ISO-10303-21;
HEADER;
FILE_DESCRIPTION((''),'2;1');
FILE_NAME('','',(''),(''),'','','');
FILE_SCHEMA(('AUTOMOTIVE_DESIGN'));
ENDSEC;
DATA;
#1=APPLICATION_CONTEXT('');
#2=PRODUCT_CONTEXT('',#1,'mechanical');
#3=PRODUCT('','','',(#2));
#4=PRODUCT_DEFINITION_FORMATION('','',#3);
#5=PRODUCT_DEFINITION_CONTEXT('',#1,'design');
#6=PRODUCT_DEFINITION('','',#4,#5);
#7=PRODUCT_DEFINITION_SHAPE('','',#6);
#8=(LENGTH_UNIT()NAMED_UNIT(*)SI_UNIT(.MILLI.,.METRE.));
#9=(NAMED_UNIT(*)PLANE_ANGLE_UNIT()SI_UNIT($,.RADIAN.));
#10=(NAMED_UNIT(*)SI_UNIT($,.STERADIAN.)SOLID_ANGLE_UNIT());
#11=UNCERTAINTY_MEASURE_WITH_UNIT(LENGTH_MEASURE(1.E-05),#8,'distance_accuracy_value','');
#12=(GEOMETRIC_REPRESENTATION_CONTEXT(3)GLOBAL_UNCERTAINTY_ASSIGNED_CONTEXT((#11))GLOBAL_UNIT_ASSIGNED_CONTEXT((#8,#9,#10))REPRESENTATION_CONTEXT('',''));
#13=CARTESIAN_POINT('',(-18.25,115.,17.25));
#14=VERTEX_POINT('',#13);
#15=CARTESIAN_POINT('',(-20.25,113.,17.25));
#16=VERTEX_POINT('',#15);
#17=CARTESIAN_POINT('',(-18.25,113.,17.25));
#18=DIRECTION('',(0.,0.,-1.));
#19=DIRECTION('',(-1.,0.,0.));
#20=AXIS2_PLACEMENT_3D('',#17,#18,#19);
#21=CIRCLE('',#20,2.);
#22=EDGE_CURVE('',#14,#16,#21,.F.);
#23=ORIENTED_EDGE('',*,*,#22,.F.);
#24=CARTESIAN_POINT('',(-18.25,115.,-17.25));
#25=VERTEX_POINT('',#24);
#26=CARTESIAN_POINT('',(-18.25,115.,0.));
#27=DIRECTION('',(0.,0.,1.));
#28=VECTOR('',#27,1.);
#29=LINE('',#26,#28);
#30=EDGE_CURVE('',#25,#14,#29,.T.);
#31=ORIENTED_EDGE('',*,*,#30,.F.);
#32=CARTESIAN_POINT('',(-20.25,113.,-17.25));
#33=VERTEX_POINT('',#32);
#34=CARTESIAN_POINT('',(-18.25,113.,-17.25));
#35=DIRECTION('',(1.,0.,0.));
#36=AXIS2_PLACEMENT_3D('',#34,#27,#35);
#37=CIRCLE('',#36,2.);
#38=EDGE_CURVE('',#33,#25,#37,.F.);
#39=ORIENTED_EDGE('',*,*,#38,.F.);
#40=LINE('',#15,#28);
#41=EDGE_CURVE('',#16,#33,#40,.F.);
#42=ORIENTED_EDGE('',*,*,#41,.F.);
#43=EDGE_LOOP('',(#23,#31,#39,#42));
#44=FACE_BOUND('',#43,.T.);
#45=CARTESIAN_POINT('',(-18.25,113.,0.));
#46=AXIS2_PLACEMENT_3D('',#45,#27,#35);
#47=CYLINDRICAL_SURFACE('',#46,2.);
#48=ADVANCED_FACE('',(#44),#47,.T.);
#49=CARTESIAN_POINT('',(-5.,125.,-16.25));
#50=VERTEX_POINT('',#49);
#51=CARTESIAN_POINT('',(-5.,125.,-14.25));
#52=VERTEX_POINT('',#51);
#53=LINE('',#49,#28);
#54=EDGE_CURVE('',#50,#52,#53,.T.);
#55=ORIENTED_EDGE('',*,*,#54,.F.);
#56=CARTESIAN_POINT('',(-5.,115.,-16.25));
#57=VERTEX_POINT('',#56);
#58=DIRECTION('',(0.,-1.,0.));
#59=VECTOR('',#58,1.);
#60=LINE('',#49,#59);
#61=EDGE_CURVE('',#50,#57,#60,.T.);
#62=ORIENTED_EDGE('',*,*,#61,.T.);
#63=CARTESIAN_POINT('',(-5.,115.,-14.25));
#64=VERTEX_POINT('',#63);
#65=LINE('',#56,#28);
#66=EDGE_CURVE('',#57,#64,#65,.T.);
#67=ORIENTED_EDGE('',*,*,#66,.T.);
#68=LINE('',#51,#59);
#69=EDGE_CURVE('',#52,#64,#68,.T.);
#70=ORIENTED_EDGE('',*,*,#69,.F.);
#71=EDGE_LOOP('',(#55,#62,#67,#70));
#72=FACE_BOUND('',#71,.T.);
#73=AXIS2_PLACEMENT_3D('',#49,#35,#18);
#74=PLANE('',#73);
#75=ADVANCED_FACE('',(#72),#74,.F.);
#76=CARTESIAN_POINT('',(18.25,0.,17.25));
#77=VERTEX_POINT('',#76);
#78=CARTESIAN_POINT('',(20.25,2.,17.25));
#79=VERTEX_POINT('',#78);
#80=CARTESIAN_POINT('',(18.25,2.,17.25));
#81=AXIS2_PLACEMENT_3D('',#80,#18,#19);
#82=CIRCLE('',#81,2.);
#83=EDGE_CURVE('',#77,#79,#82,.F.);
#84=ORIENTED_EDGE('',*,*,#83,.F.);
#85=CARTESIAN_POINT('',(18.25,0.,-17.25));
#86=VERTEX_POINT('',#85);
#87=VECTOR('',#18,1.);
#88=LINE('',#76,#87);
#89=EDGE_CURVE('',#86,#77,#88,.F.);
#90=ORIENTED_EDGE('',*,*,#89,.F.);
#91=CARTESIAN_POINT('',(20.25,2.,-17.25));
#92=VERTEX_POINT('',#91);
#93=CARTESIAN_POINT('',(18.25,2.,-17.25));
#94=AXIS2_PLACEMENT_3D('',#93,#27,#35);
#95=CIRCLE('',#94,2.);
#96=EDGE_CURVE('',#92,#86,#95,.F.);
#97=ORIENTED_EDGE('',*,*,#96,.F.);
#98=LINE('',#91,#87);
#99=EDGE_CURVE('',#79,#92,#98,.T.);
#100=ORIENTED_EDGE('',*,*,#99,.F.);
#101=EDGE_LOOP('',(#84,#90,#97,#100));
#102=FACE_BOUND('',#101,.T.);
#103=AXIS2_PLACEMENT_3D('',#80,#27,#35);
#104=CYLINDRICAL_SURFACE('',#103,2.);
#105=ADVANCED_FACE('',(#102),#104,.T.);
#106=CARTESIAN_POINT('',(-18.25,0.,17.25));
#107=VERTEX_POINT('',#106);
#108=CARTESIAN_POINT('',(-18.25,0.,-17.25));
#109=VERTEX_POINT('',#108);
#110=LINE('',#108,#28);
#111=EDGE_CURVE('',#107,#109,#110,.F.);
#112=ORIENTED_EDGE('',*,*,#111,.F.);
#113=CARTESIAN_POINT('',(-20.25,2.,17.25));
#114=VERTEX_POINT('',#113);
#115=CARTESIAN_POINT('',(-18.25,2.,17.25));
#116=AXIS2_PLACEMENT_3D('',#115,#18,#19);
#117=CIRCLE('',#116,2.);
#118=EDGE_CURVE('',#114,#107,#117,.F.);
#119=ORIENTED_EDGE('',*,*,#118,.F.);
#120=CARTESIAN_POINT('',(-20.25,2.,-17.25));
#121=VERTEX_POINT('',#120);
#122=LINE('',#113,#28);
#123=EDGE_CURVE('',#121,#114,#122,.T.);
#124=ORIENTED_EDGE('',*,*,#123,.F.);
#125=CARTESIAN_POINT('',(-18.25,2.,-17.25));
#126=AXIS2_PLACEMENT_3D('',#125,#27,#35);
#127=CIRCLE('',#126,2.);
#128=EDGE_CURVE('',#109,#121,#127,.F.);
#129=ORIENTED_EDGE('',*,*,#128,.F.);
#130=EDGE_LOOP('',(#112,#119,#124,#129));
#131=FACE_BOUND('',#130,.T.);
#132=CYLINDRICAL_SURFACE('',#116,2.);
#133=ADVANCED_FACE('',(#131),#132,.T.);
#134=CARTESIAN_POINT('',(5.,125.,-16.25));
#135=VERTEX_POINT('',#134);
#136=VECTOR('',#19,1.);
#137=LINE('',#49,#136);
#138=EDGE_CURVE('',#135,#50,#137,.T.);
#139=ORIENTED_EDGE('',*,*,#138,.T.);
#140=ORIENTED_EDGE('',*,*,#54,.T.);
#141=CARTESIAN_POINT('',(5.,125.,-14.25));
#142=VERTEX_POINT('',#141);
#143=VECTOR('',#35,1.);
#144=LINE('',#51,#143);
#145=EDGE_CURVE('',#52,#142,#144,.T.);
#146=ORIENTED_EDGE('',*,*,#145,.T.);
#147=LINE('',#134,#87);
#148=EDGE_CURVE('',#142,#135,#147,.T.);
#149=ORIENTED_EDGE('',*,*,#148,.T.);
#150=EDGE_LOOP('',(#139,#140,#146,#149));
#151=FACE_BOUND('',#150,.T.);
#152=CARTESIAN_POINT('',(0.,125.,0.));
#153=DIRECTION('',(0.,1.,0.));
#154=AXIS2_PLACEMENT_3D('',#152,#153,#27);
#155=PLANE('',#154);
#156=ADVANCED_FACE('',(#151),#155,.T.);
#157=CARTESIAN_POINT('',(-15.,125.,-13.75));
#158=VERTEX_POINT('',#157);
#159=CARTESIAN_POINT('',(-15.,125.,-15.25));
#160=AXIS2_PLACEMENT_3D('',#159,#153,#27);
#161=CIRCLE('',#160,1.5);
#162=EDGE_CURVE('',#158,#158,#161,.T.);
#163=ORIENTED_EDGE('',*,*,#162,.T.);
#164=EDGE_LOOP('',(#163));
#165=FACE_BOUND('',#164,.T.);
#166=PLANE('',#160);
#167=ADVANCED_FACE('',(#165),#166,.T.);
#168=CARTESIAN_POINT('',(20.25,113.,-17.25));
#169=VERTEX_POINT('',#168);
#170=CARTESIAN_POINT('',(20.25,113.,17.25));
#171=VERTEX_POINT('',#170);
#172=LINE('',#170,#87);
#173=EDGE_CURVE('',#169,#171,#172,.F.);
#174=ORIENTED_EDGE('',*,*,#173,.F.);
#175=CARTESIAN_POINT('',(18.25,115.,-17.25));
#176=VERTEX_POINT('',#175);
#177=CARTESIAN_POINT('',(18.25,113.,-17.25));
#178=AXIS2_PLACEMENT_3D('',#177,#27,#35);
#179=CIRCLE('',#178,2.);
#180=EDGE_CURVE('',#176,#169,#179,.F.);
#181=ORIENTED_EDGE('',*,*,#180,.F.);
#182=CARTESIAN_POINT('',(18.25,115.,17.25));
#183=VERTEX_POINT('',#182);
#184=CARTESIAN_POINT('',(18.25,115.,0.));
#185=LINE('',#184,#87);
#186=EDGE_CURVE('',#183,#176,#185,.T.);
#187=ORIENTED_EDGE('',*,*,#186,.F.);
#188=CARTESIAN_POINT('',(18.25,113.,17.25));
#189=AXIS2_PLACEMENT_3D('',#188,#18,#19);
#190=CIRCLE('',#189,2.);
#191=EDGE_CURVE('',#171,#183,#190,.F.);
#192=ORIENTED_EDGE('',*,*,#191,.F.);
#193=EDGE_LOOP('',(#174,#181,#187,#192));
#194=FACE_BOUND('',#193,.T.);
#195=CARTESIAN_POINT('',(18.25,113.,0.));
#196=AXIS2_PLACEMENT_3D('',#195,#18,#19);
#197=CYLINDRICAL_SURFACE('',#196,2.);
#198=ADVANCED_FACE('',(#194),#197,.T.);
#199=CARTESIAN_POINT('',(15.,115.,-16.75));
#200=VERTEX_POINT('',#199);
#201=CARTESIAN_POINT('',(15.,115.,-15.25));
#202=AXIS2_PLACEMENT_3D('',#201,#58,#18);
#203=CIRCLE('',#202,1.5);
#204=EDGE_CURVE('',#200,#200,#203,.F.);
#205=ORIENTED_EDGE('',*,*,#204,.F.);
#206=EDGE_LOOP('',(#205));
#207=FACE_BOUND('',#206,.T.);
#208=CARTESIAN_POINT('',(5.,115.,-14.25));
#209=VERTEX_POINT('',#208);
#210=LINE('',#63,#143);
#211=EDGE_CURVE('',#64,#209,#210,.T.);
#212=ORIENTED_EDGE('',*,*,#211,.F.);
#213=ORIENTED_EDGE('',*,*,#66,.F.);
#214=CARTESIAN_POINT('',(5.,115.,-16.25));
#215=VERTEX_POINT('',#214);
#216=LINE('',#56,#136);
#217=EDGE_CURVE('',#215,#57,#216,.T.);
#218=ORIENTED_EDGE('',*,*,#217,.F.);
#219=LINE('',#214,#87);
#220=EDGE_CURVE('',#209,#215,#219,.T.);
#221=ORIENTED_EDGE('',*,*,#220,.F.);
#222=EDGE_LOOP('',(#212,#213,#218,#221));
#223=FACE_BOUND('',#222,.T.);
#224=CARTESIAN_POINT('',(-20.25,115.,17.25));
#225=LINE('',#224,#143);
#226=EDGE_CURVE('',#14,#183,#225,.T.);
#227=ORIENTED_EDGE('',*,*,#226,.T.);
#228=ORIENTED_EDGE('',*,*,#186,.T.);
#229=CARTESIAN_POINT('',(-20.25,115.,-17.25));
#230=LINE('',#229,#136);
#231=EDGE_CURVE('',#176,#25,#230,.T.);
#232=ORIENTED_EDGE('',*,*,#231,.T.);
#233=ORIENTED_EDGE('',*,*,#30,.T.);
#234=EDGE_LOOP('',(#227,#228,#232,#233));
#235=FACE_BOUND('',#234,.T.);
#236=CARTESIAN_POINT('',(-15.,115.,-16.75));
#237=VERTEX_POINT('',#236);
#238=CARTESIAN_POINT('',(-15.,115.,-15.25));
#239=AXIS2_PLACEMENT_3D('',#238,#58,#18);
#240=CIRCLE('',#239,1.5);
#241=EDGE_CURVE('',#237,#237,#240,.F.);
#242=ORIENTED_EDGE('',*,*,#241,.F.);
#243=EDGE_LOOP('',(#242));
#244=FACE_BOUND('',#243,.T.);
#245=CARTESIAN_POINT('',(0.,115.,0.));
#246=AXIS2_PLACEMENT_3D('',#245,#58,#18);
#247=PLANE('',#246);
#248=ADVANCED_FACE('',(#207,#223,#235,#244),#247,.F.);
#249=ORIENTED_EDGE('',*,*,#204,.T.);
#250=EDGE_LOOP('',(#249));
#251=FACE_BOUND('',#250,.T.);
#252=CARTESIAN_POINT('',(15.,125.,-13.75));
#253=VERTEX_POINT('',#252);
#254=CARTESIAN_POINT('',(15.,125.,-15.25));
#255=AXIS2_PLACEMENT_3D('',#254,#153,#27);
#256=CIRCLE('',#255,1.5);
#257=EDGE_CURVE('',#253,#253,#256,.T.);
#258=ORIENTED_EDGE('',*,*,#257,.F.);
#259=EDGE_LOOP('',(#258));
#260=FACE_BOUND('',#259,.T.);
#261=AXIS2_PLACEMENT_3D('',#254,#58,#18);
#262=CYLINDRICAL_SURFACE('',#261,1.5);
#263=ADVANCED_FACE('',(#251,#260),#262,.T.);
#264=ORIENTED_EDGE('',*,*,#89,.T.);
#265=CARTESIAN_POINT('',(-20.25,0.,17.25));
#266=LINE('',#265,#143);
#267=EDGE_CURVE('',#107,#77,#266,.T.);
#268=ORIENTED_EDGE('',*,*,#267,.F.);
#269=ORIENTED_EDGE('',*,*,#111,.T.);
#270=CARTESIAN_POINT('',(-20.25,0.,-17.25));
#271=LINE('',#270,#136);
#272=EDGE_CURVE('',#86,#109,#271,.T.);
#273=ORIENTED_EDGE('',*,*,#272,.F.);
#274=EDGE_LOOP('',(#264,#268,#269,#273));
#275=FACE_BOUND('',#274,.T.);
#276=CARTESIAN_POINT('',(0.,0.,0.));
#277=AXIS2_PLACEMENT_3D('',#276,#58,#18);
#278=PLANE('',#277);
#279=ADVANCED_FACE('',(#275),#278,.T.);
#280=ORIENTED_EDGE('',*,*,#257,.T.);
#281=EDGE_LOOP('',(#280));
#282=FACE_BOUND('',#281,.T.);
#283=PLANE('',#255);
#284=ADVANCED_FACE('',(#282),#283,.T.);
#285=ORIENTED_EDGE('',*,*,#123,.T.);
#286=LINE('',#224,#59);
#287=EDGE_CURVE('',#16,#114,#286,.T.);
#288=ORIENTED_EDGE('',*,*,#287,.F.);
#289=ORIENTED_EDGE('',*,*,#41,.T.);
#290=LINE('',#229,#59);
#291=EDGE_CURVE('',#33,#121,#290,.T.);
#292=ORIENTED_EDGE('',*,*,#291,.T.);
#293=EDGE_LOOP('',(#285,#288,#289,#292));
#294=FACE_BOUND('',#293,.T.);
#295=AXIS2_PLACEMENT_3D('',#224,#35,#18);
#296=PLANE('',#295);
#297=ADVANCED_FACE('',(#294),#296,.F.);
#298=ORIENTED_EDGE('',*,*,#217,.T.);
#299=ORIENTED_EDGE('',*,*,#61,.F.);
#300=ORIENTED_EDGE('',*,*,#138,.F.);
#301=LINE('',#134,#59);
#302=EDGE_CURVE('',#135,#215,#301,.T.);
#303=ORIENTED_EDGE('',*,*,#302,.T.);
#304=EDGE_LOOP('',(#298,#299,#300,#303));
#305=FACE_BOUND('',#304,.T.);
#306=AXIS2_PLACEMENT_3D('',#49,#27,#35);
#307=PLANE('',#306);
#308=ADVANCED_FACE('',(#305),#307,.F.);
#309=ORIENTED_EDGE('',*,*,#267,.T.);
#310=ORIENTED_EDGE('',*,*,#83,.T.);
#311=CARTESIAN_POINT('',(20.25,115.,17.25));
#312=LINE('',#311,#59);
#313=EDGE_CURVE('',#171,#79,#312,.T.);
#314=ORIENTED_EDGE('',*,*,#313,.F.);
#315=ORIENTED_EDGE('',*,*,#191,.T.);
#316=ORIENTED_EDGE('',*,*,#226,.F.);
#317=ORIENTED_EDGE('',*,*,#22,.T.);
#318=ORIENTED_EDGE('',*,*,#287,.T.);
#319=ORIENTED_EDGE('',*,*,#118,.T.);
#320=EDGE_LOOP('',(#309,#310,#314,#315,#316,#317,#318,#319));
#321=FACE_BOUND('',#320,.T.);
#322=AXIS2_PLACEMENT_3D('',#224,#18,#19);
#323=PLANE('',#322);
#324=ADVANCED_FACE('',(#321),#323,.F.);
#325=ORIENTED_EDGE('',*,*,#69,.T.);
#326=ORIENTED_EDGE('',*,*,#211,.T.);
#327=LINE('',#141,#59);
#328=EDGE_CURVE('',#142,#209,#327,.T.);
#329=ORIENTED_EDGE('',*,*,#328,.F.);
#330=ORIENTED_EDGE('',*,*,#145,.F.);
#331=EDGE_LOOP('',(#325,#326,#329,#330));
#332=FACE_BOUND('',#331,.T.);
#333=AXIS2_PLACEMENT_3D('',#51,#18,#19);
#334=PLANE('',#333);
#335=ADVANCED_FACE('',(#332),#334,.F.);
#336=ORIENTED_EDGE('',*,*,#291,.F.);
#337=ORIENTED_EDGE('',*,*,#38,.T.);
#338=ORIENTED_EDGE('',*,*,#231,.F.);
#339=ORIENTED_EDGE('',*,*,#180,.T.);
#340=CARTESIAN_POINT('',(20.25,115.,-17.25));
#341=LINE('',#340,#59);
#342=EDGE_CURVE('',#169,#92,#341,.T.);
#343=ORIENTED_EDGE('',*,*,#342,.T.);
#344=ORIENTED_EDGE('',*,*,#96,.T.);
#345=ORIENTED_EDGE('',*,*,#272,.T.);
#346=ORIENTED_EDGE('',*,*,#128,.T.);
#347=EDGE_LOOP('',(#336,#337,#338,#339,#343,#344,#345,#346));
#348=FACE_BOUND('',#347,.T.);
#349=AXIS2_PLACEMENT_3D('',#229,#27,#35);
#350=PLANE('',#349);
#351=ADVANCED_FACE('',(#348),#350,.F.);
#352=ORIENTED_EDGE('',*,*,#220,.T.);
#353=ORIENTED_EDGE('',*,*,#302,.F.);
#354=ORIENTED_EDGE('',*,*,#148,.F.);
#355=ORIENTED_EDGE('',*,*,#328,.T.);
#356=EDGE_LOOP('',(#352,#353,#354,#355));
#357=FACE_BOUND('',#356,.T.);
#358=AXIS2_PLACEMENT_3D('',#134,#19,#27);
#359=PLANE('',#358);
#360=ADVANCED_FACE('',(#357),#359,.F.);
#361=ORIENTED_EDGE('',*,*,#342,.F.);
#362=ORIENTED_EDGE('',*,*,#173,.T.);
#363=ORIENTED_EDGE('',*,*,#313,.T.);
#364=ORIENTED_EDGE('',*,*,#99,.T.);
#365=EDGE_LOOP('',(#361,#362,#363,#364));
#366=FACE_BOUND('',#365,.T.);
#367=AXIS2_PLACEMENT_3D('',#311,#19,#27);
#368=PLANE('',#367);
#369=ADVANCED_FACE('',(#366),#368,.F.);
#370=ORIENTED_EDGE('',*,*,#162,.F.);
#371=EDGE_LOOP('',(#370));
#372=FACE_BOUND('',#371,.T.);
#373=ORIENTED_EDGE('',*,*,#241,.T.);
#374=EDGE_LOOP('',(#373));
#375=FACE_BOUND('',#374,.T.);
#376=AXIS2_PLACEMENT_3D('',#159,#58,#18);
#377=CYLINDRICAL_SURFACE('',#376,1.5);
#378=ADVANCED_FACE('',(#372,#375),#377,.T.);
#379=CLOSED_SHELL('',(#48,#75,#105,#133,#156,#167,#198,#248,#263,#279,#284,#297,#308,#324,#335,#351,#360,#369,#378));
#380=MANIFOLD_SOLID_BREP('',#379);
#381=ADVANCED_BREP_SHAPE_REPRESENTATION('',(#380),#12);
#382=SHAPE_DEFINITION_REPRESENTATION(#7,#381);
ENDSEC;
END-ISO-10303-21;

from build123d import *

# Parameters (mm, degrees)
SKETCH1_W           = 40.5
SKETCH1_H           = 34.5
BOSS_EXTRUDE1_DEPTH = 115
SKETCH2_R           = 1.5
SKETCH2_W           = 10
SKETCH2_H           = 2
BOSS_EXTRUDE2_DEPTH = 10
FILLET1_R           = 2


with BuildPart() as part:
    # Sketch1 → Boss-Extrude1 (new body)
    with BuildSketch(Plane(origin=(0, 0, 0), x_dir=(1, 0, 0), z_dir=(0, 1, 0))):
        Rectangle(SKETCH1_W, SKETCH1_H)
    extrude(amount=BOSS_EXTRUDE1_DEPTH)

    # Sketch2 → Boss-Extrude2 (add)
    with BuildSketch(Plane(origin=(0, 115, 0), x_dir=(1, 0, 0), z_dir=(0, 1, 0))):
        with Locations(Location((-15, 15.25, 0), (0, 0, 90))):
            Circle(SKETCH2_R)
        with Locations(Location((15, 15.25, 0), (0, 0, 90))):
            Circle(SKETCH2_R)
        with Locations((0, 15.25)):
            Rectangle(SKETCH2_W, SKETCH2_H)
    extrude(amount=BOSS_EXTRUDE2_DEPTH)

    # Fillet1
    fillet1_edges = [part.edges().sort_by_distance(p)[0] for p in [
        (-20.25, 115, 0),
        (20.25, 115, 0),
        (-20.25, 0, 0),
        (20.25, 0, 0),
    ]]
    fillet(fillet1_edges, radius=FILLET1_R)


solid = part.part
